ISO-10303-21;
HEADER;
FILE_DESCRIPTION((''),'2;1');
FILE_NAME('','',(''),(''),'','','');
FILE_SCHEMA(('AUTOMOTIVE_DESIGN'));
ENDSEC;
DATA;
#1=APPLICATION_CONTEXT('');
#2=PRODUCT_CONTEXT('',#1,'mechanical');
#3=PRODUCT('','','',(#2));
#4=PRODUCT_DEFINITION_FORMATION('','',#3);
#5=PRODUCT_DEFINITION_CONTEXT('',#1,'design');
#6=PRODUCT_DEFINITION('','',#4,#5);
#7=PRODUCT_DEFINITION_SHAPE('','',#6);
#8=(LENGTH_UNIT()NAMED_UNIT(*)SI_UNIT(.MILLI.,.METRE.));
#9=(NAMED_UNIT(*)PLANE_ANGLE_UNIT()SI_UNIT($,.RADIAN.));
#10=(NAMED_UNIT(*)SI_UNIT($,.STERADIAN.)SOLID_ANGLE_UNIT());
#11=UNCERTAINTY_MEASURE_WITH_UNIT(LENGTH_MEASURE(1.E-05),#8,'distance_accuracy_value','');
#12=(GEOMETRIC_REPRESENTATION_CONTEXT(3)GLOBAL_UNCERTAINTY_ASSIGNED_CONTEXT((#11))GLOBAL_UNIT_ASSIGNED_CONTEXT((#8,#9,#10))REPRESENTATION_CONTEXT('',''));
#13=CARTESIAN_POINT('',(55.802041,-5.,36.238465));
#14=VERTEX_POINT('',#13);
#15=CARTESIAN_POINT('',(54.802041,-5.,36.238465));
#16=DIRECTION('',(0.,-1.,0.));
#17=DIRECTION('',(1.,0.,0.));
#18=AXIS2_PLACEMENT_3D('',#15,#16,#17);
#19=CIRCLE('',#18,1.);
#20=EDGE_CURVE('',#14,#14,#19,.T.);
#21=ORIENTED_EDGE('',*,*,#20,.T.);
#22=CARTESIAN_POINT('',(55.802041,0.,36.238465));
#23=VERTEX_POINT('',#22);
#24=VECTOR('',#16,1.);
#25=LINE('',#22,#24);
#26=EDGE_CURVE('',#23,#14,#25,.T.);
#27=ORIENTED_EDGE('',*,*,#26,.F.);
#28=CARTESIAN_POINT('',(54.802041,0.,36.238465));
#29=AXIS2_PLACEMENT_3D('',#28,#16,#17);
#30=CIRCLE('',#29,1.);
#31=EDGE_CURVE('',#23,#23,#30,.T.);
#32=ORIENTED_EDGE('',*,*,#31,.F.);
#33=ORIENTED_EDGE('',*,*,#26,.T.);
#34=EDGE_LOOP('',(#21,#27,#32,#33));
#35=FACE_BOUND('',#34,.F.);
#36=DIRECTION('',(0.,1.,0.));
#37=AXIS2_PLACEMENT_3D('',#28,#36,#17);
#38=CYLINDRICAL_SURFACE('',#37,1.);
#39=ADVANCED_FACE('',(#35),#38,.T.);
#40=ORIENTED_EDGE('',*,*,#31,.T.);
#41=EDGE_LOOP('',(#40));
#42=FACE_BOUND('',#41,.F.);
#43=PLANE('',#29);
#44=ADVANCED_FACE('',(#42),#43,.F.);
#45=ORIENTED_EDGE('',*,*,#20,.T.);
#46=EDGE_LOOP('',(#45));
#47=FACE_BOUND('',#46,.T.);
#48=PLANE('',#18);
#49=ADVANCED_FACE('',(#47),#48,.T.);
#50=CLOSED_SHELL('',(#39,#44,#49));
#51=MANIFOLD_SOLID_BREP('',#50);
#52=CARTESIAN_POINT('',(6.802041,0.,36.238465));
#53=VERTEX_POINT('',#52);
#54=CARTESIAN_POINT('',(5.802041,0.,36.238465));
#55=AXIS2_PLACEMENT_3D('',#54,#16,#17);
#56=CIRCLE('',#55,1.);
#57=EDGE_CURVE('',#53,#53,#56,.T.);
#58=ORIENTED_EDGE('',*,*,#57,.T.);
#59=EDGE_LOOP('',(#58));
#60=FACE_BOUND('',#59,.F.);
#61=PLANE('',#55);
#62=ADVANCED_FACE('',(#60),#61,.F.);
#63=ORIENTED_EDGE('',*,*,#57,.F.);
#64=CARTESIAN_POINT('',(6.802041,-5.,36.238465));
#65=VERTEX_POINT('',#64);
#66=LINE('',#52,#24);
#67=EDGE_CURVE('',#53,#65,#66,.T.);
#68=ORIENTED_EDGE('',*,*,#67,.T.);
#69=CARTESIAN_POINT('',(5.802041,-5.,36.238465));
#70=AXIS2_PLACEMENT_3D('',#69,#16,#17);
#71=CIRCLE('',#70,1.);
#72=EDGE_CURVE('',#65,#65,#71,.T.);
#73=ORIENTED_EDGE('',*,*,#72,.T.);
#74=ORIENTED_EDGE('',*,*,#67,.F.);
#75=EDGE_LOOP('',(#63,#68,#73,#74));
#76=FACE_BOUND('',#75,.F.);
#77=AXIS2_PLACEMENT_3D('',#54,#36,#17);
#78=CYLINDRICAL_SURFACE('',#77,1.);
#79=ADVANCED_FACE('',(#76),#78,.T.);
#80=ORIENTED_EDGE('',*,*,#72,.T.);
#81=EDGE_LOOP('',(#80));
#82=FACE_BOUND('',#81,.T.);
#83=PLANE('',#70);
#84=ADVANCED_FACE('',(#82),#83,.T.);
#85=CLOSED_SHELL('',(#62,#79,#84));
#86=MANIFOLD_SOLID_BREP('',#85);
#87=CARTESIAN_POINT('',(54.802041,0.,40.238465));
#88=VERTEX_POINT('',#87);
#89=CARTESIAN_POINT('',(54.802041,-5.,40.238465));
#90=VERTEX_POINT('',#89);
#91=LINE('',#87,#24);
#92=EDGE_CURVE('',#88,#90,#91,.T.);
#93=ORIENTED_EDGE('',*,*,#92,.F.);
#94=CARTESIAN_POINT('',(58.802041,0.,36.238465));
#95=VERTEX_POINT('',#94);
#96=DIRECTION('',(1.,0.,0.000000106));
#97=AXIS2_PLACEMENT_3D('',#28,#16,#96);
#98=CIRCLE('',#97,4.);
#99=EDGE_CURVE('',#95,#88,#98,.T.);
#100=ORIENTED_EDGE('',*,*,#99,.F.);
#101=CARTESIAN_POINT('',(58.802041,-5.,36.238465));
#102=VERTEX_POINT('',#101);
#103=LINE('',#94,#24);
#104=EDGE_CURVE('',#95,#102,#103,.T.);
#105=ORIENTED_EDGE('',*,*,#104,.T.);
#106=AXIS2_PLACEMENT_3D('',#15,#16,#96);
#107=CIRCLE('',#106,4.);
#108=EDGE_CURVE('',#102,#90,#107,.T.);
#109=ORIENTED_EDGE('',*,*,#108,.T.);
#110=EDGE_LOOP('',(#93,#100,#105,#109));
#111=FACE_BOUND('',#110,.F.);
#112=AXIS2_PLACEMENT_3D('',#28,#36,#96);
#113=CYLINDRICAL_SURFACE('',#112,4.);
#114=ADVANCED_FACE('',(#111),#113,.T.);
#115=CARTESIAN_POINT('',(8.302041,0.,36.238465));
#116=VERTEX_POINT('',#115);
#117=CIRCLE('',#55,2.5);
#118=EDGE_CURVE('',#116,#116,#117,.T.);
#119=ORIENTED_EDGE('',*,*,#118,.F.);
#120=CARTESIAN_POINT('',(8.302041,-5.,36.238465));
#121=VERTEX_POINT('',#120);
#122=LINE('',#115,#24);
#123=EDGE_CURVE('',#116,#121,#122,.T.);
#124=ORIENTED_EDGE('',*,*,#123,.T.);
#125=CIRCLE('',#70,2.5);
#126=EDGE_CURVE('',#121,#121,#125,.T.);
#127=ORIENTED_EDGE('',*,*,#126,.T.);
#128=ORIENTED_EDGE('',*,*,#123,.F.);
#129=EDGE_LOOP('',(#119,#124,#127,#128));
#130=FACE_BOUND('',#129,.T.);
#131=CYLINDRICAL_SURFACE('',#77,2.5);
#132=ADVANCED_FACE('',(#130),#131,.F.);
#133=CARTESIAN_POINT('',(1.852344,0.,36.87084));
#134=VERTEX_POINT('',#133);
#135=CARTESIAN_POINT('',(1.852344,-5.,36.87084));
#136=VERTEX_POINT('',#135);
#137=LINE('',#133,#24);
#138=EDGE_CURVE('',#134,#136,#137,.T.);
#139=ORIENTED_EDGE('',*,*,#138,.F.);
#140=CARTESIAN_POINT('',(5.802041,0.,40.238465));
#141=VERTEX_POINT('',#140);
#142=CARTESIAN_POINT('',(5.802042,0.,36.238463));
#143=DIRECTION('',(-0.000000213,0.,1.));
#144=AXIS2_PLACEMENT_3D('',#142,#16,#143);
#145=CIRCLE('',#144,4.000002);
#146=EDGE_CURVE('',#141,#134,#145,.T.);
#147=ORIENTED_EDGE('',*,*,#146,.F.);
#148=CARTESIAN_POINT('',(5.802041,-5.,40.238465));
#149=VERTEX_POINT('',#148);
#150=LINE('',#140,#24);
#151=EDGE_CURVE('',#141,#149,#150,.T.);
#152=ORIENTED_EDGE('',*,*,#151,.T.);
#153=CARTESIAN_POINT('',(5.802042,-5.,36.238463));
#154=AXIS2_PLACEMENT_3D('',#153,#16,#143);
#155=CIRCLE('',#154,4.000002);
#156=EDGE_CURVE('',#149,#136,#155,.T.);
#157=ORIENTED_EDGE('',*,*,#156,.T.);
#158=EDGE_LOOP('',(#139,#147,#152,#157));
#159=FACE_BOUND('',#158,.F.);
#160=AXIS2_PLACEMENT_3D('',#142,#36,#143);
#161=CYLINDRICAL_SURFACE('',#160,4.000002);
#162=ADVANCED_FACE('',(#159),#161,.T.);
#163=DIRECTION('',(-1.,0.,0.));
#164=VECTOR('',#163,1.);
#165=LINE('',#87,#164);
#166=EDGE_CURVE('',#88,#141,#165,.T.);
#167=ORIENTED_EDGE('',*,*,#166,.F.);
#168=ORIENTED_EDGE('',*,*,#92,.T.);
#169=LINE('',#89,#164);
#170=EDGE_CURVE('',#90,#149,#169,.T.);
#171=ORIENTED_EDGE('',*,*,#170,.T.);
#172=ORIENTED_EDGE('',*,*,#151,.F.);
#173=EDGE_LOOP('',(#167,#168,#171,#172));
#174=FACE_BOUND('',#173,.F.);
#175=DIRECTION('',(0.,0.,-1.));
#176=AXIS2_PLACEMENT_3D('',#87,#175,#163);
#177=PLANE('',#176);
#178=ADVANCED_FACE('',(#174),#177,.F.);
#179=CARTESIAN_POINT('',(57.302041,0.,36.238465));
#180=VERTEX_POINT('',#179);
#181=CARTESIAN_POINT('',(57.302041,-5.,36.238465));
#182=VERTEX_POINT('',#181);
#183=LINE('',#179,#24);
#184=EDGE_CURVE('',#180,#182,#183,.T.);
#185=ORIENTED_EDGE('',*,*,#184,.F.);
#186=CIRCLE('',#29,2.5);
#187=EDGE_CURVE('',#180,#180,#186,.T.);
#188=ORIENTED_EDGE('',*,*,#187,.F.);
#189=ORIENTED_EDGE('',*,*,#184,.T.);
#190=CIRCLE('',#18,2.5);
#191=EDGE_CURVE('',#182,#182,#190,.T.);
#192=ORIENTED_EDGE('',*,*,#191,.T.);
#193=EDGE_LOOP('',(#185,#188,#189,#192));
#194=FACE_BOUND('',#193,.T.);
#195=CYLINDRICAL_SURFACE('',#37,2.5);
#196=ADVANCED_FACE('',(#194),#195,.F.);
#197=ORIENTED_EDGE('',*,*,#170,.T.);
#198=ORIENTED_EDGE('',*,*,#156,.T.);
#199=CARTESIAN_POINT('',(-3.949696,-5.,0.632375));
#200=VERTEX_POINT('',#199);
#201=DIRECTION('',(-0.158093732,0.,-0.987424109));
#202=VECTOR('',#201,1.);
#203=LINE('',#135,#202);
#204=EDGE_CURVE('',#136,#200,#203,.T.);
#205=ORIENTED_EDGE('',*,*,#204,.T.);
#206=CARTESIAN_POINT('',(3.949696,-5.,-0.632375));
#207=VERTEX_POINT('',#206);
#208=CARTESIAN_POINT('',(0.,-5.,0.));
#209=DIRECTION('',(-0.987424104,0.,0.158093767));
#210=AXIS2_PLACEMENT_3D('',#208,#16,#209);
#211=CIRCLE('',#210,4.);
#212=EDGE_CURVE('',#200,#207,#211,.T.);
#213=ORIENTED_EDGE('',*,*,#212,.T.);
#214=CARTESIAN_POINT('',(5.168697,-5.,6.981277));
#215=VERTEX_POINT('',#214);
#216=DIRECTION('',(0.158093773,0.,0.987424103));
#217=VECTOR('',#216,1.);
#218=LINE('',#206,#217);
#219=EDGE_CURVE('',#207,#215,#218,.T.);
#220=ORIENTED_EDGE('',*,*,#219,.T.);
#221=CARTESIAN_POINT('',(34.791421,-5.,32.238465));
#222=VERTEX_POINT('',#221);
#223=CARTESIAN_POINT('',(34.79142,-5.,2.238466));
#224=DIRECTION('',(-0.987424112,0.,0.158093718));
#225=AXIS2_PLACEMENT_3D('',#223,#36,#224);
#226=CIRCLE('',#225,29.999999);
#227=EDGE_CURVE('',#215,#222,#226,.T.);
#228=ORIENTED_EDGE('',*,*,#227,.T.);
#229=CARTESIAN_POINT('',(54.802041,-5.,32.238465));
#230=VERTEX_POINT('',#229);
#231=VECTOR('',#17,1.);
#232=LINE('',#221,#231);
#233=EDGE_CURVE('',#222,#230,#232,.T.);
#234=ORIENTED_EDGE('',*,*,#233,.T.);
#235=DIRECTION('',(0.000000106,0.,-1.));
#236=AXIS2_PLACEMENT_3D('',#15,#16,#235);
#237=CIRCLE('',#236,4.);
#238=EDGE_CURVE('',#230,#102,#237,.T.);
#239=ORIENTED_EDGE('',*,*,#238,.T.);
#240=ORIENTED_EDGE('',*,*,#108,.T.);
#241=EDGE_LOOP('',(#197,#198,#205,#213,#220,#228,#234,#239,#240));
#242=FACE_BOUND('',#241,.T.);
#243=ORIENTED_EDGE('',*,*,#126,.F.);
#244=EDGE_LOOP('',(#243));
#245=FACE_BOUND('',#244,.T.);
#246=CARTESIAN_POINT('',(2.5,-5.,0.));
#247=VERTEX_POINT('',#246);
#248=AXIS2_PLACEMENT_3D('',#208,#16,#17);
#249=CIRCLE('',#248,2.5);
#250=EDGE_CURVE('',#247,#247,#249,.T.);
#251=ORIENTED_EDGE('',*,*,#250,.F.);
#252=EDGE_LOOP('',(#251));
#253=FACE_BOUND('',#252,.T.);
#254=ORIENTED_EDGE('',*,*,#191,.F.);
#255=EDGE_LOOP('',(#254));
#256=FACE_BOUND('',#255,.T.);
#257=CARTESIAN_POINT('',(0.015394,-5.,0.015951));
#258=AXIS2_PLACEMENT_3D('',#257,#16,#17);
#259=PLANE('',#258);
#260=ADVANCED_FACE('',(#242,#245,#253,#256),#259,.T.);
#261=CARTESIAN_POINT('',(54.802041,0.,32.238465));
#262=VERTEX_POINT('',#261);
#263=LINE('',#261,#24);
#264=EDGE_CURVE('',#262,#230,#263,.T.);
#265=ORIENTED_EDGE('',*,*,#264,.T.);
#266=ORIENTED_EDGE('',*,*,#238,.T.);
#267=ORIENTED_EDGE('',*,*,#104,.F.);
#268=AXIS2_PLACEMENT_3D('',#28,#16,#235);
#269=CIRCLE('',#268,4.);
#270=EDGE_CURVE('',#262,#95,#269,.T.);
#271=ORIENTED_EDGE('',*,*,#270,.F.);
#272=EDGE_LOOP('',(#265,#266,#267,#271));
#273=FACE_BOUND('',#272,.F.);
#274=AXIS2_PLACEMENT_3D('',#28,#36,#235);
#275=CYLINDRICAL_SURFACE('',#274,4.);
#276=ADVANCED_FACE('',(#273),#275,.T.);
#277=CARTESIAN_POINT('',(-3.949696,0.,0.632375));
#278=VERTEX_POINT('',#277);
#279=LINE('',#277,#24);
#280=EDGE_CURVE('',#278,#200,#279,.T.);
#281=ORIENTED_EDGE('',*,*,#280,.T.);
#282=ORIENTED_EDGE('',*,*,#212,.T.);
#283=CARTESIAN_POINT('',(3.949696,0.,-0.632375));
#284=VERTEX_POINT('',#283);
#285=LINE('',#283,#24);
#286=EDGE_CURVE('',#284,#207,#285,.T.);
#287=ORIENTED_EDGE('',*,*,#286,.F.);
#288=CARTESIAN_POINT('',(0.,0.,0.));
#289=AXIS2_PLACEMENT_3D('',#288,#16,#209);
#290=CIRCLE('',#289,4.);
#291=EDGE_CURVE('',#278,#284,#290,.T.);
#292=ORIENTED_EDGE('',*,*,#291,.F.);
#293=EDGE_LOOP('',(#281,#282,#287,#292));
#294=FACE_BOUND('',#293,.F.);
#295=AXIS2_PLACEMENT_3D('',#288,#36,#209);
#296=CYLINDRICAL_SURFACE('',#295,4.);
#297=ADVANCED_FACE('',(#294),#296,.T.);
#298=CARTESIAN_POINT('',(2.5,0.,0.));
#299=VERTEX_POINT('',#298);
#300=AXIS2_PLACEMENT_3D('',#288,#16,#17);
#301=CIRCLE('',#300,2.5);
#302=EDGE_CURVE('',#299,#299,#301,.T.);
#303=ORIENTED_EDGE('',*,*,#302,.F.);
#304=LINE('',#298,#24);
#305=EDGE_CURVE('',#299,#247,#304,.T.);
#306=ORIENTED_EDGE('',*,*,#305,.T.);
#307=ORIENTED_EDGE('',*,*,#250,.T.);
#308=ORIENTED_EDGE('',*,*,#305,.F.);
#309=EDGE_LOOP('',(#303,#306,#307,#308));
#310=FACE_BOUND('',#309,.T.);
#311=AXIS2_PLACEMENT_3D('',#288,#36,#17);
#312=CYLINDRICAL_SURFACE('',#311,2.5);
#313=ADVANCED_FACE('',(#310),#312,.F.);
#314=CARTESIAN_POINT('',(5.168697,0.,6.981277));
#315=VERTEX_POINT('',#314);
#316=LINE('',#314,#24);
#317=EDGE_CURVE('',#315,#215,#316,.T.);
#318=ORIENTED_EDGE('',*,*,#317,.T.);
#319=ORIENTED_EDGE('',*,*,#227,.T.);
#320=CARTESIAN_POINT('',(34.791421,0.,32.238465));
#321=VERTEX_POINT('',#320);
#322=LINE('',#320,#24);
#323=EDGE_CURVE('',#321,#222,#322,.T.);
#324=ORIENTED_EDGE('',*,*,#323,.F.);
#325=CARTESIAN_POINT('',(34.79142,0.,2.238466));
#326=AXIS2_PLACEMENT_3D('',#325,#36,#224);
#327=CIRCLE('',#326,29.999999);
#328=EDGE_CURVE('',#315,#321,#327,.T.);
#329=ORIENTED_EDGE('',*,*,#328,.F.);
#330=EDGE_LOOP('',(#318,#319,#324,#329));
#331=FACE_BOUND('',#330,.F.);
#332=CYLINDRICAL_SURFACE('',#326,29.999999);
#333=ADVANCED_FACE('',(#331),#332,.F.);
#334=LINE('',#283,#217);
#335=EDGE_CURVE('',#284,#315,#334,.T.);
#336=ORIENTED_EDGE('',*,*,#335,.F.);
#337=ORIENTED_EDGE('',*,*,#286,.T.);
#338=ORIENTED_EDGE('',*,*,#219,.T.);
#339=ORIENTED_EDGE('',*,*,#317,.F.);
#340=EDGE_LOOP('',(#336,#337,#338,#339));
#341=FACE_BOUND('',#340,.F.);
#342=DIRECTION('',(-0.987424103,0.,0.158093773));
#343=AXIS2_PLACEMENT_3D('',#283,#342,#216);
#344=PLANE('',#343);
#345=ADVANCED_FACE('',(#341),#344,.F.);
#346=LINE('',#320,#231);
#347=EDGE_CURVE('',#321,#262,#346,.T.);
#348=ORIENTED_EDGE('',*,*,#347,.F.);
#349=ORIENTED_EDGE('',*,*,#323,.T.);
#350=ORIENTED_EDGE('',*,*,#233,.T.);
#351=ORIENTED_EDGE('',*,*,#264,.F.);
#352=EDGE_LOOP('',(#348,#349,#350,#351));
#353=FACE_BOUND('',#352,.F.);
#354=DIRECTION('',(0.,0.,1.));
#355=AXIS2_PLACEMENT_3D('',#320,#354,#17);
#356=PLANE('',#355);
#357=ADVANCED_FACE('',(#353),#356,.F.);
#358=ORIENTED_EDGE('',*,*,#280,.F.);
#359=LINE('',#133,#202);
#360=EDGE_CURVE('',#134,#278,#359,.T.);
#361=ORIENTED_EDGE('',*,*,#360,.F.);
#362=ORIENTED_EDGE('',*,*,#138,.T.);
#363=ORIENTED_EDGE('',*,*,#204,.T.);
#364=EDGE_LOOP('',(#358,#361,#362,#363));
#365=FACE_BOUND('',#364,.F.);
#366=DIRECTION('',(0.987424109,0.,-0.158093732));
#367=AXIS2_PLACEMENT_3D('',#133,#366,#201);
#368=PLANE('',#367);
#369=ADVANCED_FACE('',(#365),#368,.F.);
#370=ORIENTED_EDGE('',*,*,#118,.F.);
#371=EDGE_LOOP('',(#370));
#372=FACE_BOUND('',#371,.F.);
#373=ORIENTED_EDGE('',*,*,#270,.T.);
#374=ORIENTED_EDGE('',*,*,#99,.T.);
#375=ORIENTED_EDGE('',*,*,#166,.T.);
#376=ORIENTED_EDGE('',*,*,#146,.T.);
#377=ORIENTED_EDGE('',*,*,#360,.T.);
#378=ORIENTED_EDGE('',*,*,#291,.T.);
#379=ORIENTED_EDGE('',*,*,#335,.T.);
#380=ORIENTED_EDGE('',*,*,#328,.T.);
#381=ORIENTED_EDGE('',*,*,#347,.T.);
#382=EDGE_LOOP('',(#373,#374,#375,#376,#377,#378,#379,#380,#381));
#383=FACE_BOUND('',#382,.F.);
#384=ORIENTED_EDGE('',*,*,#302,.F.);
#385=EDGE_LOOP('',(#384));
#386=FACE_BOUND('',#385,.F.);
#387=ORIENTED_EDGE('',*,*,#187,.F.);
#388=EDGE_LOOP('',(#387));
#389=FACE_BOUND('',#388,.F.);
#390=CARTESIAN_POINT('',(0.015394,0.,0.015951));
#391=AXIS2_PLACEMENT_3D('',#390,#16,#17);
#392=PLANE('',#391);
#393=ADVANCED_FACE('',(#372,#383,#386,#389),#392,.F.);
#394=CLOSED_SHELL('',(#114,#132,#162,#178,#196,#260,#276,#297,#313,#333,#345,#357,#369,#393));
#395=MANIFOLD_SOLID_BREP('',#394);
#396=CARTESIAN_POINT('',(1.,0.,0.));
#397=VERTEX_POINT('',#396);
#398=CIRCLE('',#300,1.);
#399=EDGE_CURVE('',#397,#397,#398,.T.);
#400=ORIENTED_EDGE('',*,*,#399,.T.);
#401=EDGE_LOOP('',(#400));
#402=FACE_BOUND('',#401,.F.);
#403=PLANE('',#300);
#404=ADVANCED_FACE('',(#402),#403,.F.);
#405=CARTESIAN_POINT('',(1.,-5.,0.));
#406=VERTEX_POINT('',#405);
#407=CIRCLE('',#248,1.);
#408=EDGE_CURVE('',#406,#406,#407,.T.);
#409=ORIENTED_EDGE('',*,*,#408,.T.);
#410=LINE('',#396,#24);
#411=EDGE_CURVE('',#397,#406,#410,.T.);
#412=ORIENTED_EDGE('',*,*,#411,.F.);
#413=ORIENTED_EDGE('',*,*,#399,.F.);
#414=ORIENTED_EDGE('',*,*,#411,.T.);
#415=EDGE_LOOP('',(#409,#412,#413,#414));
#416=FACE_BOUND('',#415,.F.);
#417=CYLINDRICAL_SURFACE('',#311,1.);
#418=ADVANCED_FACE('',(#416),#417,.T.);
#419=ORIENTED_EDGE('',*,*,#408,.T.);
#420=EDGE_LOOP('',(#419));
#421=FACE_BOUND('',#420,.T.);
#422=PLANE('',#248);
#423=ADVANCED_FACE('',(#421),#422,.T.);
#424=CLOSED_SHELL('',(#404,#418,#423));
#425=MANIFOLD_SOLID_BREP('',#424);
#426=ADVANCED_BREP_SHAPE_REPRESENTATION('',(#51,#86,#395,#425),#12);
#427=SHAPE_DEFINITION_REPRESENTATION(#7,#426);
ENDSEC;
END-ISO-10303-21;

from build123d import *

# Parameters (mm, degrees)
F0_R     = 2.5
F0_R_2   = 1
F1_DEPTH = 5


with BuildPart() as f1:
    # F0 (on Front) → F1 (new body)
    with BuildSketch(Plane.XZ):
        with BuildLine():
            ThreePointArc((3.949696, -0.632375), (3.987404, -0.317186), (4, 0))
            ThreePointArc((4, 0), (0.317186, 3.987404), (-3.949696, 0.632375))
            ThreePointArc((-3.949696, 0.632375), (-0.632375, -3.949696), (3.949696, -0.632375))
        make_face()
        Circle(F0_R, mode=Mode.SUBTRACT)
        with BuildLine():
            ThreePointArc((-3.949696, 0.632375), (0.317186, 3.987404), (4, 0))
            ThreePointArc((4, 0), (3.987404, -0.317186), (3.949696, -0.632375))
            Line((3.949696, -0.632375), (5.168697, 6.981277))
            ThreePointArc((5.168697, 6.981277), (15.32715, 25.067004), (34.791421, 32.238465))
            Line((34.791421, 32.238465), (54.802041, 32.238465))
            ThreePointArc((54.802041, 32.238465), (50.802041, 36.238465), (54.802041, 40.238465))
            Line((54.802041, 40.238465), (5.802041, 40.238465))
            ThreePointArc((5.802041, 40.238465), (8.630468, 39.066892), (9.802041, 36.238465))
            ThreePointArc((9.802041, 36.238465), (5.484855, 32.25106), (1.852344, 36.87084))
            Line((1.852344, 36.87084), (-3.949696, 0.632375))
        make_face()
        with BuildLine():
            ThreePointArc((5.802041, 40.238465), (3.206805, 39.28227), (1.852344, 36.87084))
            ThreePointArc((1.852344, 36.87084), (5.484855, 32.25106), (9.802041, 36.238465))
            ThreePointArc((9.802041, 36.238465), (8.630468, 39.066892), (5.802041, 40.238465))
        make_face()
        with Locations((5.802041, 36.238465)):
            Circle(F0_R, mode=Mode.SUBTRACT)
        with BuildLine():
            ThreePointArc((58.802041, 36.238465), (57.630468, 39.066892), (54.802041, 40.238465))
            ThreePointArc((54.802041, 40.238465), (50.802041, 36.238465), (54.802041, 32.238465))
            ThreePointArc((54.802041, 32.238465), (57.630468, 33.410038), (58.802041, 36.238465))
        make_face()
        with Locations((54.802041, 36.238465)):
            Circle(F0_R, mode=Mode.SUBTRACT)
        with Locations((5.802041, 36.238465)):
            Circle(F0_R_2)
        Circle(F0_R_2)
        with Locations((54.802041, 36.238465)):
            Circle(F0_R_2)
    extrude(amount=F1_DEPTH)


solid = f1.part
